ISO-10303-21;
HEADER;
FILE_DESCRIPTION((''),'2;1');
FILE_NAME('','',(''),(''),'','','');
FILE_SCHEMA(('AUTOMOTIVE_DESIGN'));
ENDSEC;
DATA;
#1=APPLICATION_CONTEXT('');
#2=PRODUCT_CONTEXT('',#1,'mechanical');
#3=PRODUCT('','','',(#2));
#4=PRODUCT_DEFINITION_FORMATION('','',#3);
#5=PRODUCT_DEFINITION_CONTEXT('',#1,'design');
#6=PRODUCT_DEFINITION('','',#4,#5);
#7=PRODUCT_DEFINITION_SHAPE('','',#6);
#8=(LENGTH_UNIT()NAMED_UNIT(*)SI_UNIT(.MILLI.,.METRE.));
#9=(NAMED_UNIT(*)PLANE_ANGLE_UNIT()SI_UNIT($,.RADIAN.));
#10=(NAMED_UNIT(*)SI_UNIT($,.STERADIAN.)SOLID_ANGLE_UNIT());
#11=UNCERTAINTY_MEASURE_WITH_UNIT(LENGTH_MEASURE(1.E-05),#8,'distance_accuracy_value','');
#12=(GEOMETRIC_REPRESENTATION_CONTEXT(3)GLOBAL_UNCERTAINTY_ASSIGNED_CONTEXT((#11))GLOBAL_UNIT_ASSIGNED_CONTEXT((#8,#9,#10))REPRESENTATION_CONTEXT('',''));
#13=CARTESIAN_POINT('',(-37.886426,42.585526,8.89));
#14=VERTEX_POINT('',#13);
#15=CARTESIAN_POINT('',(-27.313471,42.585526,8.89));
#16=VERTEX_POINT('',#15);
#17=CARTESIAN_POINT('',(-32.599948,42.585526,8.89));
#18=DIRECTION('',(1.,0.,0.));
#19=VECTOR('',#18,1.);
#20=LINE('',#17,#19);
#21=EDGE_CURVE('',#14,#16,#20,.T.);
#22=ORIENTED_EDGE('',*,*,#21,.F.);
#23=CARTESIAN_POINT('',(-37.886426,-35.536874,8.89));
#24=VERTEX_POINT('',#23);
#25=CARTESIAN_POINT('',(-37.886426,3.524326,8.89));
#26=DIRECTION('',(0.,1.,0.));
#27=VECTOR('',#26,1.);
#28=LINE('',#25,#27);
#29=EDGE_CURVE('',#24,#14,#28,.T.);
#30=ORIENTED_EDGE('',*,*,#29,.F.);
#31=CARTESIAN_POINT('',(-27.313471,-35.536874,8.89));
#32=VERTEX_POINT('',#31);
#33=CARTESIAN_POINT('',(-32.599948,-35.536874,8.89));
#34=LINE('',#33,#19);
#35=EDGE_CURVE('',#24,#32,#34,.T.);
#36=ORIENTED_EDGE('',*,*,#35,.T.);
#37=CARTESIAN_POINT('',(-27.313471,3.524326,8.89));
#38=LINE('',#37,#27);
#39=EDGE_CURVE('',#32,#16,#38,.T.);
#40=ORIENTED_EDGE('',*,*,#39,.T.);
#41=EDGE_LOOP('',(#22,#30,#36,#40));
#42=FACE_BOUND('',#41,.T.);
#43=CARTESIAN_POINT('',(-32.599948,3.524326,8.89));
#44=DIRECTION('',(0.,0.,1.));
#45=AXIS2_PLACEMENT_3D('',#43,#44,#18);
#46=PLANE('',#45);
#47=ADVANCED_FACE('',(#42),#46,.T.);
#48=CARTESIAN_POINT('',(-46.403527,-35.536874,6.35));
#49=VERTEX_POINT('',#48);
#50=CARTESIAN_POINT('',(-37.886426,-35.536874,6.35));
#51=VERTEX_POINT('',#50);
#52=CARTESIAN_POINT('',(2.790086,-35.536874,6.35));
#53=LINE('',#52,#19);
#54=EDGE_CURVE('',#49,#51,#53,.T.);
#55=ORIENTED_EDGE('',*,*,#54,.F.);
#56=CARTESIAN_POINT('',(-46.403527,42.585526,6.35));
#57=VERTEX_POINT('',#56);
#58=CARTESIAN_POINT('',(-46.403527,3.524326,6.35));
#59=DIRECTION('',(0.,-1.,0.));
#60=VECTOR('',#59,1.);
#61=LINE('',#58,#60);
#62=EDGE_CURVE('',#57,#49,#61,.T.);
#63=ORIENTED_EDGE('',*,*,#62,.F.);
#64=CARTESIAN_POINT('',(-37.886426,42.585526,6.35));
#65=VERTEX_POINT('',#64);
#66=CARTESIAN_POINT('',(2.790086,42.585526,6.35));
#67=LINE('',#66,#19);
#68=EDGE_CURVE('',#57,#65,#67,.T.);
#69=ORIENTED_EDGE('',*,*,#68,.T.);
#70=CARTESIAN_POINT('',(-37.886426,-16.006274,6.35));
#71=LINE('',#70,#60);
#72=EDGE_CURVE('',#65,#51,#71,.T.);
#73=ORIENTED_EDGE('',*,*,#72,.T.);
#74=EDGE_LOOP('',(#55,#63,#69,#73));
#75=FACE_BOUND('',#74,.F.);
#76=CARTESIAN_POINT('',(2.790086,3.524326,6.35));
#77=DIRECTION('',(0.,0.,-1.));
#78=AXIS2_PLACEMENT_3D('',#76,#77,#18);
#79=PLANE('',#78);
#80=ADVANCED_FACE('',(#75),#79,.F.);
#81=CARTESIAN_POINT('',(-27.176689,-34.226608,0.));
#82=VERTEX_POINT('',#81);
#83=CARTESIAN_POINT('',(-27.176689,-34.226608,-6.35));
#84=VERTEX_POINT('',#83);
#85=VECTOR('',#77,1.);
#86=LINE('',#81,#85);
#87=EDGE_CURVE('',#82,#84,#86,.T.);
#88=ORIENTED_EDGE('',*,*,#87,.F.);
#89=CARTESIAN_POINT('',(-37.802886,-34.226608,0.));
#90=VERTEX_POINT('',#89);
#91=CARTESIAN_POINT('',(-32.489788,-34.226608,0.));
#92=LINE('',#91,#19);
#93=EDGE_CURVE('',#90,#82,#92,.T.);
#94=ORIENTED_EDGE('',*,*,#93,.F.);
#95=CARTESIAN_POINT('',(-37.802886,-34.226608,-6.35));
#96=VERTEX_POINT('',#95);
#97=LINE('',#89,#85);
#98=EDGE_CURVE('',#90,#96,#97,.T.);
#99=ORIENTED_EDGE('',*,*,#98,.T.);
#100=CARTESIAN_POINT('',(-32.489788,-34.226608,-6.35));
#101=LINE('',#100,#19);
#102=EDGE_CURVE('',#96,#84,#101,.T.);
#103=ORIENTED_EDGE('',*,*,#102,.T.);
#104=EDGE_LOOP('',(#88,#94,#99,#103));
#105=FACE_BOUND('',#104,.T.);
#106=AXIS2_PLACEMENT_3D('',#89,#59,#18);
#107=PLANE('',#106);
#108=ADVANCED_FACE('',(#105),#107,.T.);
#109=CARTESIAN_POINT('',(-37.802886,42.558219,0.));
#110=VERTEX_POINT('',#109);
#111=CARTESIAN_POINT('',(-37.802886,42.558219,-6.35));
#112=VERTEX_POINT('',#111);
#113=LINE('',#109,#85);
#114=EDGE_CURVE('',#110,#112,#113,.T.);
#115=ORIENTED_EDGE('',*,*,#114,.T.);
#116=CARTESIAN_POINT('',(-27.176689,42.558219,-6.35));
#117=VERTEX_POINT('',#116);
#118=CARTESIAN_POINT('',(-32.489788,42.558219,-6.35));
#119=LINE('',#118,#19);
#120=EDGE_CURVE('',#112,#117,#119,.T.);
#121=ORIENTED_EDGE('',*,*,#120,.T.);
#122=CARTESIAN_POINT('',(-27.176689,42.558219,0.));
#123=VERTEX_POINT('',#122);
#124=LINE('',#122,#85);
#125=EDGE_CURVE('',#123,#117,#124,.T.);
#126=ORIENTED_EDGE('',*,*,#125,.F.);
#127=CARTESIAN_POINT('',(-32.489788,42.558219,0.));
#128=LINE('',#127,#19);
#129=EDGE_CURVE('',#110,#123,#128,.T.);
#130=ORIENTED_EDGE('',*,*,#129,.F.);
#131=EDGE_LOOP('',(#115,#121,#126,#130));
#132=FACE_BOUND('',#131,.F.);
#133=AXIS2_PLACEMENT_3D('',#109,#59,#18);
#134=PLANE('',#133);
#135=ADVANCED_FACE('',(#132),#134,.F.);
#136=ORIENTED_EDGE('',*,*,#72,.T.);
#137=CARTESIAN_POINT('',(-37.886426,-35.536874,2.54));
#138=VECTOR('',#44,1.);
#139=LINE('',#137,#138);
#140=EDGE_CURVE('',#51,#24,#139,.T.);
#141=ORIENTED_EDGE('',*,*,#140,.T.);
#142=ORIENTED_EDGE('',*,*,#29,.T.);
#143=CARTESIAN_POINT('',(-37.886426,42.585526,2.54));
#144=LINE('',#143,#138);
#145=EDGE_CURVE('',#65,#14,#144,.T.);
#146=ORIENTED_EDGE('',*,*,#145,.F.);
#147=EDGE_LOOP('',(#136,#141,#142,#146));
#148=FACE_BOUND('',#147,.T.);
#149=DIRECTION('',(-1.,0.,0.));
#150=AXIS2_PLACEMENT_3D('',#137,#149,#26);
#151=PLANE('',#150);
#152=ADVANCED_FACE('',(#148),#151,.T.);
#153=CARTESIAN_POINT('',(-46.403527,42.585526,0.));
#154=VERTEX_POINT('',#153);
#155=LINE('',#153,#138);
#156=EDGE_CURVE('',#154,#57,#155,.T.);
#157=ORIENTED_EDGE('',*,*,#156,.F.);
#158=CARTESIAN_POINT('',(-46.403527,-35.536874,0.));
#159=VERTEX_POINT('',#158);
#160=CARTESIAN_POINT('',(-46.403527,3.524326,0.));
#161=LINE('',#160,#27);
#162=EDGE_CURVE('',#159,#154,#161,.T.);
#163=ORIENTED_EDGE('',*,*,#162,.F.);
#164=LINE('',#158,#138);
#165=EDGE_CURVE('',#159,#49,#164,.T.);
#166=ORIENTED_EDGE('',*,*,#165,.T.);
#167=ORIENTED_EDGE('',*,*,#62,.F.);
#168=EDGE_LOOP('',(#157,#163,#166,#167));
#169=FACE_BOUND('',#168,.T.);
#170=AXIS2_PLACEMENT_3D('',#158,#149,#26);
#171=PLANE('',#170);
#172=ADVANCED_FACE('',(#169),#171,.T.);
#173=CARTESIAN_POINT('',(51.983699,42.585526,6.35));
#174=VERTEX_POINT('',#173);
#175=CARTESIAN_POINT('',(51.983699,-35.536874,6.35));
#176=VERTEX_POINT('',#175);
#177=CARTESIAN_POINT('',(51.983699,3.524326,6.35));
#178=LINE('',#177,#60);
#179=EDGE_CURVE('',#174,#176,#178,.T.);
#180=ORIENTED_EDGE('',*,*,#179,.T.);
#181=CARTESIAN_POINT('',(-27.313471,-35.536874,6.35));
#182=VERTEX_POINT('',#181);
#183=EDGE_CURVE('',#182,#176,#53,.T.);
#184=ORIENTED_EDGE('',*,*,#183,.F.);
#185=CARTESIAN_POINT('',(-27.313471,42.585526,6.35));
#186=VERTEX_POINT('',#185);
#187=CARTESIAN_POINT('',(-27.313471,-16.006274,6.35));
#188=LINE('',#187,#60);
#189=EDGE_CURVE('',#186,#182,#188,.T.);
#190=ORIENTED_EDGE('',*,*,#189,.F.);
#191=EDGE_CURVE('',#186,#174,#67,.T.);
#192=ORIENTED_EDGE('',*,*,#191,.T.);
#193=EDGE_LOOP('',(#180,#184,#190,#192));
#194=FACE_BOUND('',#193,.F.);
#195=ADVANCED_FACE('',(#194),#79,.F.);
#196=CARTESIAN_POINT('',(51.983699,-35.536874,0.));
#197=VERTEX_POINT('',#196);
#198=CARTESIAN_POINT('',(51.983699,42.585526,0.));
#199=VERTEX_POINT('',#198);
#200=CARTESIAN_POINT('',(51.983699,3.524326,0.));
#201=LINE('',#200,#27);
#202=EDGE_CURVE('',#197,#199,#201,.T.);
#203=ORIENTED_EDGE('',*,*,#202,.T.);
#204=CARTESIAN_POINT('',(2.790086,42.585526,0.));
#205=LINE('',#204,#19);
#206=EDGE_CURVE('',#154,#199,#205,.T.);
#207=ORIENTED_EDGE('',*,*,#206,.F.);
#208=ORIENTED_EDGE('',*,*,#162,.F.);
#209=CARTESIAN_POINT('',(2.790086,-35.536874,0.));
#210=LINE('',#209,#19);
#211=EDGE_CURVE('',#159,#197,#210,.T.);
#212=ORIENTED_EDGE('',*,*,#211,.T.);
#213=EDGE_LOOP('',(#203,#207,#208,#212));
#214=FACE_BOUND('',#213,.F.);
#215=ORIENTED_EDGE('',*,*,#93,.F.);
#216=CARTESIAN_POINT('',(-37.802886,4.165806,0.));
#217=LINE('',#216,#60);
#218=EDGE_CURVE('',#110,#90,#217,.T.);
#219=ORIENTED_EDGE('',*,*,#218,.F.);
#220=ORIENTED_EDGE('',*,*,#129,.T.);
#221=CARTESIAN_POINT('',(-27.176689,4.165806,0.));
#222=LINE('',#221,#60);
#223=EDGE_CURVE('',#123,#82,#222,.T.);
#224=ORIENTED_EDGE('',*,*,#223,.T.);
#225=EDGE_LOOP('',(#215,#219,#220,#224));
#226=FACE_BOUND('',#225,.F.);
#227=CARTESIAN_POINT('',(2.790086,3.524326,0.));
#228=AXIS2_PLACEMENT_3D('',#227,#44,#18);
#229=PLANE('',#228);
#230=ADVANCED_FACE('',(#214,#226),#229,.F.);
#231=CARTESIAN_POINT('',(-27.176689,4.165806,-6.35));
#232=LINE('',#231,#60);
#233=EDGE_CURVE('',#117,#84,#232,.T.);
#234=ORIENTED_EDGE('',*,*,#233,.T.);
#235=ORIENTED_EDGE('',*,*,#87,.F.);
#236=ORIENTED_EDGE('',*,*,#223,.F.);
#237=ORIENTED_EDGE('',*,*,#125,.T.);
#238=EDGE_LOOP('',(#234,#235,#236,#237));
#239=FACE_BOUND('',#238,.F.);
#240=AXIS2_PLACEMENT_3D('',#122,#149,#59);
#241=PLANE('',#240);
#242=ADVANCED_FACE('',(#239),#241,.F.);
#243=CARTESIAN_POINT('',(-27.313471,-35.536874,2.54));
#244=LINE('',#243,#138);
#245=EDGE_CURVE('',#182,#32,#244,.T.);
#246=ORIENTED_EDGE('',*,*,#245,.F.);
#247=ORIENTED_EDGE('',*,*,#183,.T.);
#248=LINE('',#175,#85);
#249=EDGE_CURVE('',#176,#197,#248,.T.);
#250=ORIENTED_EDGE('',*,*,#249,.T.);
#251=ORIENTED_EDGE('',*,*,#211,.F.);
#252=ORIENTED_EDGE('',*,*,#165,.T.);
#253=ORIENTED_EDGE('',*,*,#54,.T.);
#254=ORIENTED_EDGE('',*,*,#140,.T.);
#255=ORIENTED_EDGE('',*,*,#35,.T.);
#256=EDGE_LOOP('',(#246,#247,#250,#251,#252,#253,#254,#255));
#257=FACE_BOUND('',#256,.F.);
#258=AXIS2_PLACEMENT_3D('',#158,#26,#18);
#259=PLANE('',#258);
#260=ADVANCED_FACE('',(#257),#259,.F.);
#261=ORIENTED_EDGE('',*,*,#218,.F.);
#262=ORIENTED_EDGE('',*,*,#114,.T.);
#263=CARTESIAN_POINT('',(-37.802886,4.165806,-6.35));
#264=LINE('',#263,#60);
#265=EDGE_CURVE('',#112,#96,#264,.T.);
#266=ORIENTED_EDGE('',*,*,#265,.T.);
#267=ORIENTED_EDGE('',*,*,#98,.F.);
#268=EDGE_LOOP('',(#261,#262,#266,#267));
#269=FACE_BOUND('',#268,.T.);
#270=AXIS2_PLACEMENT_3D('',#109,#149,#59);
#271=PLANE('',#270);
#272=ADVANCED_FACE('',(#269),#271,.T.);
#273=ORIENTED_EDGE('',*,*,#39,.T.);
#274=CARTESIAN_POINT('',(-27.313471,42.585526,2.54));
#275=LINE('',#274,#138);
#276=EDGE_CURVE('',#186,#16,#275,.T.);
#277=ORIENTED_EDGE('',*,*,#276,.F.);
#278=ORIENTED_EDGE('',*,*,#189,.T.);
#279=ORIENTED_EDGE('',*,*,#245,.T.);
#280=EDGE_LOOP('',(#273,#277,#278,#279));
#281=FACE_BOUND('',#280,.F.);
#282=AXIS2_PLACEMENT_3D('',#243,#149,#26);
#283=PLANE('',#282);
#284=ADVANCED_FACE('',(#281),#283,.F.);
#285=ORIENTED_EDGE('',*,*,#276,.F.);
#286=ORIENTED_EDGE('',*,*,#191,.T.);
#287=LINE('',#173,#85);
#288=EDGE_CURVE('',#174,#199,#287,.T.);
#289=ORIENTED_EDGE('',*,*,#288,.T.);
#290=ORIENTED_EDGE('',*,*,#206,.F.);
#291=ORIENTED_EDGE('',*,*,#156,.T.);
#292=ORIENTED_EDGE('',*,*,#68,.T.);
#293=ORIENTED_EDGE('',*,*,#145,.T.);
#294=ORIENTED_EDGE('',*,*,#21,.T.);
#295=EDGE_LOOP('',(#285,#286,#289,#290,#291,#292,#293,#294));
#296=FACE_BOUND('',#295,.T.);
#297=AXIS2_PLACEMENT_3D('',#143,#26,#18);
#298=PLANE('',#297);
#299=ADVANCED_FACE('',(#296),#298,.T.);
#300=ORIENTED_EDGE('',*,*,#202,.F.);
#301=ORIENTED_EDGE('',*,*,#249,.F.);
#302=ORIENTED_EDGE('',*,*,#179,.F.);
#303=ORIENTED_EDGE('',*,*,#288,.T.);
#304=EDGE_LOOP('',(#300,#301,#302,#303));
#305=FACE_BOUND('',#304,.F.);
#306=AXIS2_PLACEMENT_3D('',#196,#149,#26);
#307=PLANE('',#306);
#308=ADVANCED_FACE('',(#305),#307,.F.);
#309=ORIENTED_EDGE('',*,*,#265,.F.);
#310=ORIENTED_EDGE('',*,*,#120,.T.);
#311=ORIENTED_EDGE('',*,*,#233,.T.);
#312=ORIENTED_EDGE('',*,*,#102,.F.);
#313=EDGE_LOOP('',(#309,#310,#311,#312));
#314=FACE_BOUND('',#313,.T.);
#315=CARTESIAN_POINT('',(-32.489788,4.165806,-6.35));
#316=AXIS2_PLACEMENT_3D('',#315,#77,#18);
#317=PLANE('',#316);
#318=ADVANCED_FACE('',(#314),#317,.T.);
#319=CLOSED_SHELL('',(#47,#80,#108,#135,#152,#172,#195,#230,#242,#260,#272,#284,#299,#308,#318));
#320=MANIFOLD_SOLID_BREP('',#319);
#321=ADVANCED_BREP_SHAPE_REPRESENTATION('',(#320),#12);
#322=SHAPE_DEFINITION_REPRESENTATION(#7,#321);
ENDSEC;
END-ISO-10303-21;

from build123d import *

# Parameters (mm, degrees)
F0_W       = 98.3872264624
F0_H       = 78.1223997474
F1_DEPTH   = 2.54
F2_W       = 10.5729550123
F2_H       = 78.1223997474
F1_FACE1_W = 98.3872264624
F1_FACE1_H = 78.1223997474
F3_DEPTH   = 6.35
F5_W       = 10.6261968613
F5_H       = 76.7848268151
F6_DEPTH   = 6.35


with BuildPart() as f1:
    # F0 (on Top) → F1 (new body)
    with BuildSketch(Plane.XY):
        with Locations((2.7900859714, 3.524325788)):
            Rectangle(F0_W, F0_H)
    extrude(amount=F1_DEPTH)

    # F2 (on face) + F1_face1 (on face) → F3 (join)
    with BuildSketch(Plane.XY.offset(2.54)):
        with Locations((-32.5999483466, 3.524325788)):
            Rectangle(F2_W, F2_H)
    with BuildSketch(Plane(origin=(2.7900859714, 3.524325788, 0), x_dir=(1, 0, 0), z_dir=(0, 0, -1))):
        Rectangle(F1_FACE1_W, F1_FACE1_H)
    extrude(amount=F3_DEPTH, dir=(0, 0, 1))

    # F5 (on face) → F6 (join)
    with BuildSketch(Plane(origin=(0, 0, 0), x_dir=(1, 0, 0), z_dir=(0, 0, -1))):
        with Locations((-32.4897877872, -4.1658058763)):
            Rectangle(F5_W, F5_H)
    extrude(amount=F6_DEPTH)


solid = f1.part
